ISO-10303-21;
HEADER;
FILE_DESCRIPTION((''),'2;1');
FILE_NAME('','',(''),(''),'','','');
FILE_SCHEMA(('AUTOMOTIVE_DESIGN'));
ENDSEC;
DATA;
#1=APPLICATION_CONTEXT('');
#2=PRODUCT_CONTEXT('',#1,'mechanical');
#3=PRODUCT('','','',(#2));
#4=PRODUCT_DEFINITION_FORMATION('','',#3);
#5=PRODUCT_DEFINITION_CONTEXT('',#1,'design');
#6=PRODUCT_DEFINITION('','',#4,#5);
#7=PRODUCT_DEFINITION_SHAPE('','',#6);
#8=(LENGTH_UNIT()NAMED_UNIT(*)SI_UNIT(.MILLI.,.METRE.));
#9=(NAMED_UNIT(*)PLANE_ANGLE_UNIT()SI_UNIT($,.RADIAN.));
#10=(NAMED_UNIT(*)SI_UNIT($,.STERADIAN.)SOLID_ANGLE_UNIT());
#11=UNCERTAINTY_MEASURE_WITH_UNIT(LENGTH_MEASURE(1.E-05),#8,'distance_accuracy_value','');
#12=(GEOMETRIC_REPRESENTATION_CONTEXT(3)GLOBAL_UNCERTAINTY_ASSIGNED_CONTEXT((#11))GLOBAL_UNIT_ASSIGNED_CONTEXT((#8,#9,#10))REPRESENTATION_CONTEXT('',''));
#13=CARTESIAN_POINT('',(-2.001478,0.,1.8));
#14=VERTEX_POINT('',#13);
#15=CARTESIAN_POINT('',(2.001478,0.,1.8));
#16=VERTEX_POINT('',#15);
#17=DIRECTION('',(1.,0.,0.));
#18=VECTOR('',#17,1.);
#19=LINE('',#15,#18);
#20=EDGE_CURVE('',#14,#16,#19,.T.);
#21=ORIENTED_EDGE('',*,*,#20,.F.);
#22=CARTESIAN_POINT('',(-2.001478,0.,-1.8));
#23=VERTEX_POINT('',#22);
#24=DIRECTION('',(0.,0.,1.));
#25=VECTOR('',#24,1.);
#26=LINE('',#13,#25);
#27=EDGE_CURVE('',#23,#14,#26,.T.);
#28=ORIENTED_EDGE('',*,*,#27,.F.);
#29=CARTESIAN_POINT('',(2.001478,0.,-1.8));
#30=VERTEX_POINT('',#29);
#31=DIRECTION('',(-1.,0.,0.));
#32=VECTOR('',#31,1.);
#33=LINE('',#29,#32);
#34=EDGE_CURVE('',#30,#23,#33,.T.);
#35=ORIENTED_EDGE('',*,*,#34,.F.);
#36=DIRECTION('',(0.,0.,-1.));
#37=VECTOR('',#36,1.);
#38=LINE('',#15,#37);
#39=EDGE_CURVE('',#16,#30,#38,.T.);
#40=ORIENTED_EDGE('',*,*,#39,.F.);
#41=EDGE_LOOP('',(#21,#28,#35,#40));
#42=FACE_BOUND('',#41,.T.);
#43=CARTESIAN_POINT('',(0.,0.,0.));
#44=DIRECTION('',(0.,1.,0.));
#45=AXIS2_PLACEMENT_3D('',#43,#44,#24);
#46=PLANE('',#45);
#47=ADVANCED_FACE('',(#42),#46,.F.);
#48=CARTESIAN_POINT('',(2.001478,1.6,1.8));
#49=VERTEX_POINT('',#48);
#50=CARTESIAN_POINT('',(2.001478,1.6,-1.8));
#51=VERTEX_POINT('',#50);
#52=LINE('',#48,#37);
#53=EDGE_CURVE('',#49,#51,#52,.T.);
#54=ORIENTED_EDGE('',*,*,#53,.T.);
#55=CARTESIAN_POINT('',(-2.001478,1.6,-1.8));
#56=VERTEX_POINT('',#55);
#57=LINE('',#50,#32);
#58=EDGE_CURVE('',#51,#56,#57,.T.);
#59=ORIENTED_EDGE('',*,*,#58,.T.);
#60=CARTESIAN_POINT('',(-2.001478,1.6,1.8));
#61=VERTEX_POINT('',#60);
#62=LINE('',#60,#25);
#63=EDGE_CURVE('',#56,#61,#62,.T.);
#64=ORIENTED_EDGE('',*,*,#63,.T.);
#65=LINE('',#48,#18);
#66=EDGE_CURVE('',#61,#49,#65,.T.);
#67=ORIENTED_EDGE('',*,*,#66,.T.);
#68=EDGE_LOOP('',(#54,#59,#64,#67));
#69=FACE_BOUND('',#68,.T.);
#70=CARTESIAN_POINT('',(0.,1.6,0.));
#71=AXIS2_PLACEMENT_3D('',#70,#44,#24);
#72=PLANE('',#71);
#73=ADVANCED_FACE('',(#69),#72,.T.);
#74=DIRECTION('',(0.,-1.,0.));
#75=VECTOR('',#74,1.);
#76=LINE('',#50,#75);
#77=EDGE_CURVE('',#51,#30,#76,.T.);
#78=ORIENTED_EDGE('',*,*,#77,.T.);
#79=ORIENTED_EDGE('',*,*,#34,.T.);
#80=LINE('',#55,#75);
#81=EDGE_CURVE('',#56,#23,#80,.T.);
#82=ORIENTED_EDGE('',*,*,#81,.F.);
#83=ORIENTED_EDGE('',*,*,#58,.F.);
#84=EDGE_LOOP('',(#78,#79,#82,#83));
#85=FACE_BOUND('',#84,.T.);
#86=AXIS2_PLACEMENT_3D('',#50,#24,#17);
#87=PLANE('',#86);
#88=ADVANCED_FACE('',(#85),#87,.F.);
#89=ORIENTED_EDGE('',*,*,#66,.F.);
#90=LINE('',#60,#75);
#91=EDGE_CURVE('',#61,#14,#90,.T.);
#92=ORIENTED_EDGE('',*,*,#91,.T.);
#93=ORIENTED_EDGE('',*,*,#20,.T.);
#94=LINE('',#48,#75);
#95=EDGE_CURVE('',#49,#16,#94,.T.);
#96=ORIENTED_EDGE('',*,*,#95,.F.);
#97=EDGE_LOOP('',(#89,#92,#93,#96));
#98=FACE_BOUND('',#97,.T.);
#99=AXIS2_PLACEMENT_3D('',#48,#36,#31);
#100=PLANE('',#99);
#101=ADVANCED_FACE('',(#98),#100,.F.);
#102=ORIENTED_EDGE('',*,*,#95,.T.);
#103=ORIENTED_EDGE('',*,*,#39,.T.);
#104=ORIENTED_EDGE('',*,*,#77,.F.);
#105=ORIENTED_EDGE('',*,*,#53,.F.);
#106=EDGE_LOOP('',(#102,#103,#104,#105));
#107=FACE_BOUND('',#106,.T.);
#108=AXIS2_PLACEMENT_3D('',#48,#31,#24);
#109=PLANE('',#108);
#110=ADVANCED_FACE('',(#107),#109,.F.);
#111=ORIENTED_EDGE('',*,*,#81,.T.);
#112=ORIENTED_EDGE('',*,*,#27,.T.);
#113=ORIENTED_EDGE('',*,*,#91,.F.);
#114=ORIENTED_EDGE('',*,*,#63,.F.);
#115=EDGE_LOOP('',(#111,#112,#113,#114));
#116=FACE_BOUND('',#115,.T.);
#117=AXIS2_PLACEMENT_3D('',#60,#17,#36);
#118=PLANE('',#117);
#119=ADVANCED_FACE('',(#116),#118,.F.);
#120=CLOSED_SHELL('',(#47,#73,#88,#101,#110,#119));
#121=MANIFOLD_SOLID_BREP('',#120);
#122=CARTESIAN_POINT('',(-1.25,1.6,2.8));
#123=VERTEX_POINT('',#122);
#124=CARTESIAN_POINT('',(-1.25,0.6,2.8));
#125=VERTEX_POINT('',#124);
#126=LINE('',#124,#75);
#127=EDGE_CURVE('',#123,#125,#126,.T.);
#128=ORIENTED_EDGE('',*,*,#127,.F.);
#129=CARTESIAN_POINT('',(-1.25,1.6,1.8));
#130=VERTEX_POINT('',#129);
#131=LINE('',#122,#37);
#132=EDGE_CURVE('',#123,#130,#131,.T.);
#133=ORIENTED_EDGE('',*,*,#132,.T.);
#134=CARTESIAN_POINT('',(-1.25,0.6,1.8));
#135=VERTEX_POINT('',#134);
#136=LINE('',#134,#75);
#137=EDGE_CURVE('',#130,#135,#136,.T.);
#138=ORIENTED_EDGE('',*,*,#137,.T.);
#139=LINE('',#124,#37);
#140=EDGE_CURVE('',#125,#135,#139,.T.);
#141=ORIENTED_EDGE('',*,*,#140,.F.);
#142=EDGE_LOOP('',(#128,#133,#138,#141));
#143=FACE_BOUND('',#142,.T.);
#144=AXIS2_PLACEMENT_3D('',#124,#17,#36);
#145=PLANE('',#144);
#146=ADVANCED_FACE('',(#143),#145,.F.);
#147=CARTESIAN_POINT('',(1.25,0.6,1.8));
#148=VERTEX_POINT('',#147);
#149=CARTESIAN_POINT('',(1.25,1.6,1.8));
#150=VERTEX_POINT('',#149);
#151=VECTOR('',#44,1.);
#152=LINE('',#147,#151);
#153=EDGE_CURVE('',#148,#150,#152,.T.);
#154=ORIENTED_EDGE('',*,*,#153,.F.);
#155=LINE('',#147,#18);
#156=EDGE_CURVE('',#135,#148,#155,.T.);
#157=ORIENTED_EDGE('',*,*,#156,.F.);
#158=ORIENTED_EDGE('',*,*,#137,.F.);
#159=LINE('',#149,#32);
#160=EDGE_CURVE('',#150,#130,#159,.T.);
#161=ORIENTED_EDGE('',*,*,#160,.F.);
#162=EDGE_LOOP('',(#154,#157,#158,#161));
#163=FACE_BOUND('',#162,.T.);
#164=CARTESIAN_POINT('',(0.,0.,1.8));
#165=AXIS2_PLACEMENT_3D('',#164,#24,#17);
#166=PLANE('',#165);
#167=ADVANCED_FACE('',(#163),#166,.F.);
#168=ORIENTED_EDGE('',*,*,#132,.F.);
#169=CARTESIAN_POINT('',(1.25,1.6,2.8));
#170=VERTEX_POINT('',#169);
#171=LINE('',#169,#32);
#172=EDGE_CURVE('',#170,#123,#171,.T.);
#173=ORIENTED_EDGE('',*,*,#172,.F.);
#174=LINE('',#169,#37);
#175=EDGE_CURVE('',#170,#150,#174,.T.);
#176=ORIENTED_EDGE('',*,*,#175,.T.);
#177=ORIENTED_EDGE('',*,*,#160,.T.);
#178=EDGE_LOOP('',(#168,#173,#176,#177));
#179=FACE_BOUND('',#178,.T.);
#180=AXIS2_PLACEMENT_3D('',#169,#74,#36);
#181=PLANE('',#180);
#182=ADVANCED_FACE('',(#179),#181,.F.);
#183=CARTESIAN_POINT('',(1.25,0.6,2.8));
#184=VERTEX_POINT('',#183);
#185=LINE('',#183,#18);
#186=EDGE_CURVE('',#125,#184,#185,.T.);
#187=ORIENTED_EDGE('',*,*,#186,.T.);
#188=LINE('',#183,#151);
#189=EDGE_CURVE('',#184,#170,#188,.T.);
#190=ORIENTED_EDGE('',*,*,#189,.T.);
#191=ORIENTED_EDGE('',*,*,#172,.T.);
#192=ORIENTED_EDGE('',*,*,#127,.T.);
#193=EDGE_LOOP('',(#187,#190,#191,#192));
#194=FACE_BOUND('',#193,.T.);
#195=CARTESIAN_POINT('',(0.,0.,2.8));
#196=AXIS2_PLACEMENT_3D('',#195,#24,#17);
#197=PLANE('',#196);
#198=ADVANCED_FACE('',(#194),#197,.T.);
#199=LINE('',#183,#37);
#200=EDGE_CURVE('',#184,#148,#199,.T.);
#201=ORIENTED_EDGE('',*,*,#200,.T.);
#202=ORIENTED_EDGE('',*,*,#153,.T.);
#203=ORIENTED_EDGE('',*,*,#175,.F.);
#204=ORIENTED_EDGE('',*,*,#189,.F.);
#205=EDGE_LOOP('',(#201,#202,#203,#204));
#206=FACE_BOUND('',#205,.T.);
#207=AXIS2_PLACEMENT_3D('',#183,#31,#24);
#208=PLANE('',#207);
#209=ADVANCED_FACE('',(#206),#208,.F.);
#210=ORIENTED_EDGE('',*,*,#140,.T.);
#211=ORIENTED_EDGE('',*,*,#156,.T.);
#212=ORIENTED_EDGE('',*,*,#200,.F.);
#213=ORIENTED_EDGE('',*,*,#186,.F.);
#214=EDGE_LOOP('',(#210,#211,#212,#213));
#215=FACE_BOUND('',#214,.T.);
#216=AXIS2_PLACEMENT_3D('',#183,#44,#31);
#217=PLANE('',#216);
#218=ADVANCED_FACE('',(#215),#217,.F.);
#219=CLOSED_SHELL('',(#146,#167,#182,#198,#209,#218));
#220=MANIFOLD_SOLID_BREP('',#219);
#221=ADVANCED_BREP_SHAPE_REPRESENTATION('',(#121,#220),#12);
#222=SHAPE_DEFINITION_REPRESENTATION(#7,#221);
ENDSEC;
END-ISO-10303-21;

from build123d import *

# Parameters (mm, degrees)
SKETCH1_W           = 4.00295564
SKETCH1_H           = 3.6
BOSS_EXTRUDE1_DEPTH = 1.6
SKETCH2_W           = 2.5
SKETCH2_H           = 1
BOSS_EXTRUDE2_DEPTH = 1


with BuildPart() as part:
    # Sketch1 → Boss-Extrude1 (new body)
    with BuildSketch(Plane(origin=(0, 0, 0), x_dir=(1, 0, 0), z_dir=(0, 1, 0))):
        Rectangle(SKETCH1_W, SKETCH1_H)
    extrude(amount=BOSS_EXTRUDE1_DEPTH)


with BuildPart() as body_2:
    # Sketch2 → Boss-Extrude2 (new body)
    with BuildSketch(Plane.XY.offset(1.8)):
        with Locations((0, 1.1)):
            Rectangle(SKETCH2_W, SKETCH2_H)
    extrude(amount=BOSS_EXTRUDE2_DEPTH)


solid = Compound([part.part, body_2.part])
